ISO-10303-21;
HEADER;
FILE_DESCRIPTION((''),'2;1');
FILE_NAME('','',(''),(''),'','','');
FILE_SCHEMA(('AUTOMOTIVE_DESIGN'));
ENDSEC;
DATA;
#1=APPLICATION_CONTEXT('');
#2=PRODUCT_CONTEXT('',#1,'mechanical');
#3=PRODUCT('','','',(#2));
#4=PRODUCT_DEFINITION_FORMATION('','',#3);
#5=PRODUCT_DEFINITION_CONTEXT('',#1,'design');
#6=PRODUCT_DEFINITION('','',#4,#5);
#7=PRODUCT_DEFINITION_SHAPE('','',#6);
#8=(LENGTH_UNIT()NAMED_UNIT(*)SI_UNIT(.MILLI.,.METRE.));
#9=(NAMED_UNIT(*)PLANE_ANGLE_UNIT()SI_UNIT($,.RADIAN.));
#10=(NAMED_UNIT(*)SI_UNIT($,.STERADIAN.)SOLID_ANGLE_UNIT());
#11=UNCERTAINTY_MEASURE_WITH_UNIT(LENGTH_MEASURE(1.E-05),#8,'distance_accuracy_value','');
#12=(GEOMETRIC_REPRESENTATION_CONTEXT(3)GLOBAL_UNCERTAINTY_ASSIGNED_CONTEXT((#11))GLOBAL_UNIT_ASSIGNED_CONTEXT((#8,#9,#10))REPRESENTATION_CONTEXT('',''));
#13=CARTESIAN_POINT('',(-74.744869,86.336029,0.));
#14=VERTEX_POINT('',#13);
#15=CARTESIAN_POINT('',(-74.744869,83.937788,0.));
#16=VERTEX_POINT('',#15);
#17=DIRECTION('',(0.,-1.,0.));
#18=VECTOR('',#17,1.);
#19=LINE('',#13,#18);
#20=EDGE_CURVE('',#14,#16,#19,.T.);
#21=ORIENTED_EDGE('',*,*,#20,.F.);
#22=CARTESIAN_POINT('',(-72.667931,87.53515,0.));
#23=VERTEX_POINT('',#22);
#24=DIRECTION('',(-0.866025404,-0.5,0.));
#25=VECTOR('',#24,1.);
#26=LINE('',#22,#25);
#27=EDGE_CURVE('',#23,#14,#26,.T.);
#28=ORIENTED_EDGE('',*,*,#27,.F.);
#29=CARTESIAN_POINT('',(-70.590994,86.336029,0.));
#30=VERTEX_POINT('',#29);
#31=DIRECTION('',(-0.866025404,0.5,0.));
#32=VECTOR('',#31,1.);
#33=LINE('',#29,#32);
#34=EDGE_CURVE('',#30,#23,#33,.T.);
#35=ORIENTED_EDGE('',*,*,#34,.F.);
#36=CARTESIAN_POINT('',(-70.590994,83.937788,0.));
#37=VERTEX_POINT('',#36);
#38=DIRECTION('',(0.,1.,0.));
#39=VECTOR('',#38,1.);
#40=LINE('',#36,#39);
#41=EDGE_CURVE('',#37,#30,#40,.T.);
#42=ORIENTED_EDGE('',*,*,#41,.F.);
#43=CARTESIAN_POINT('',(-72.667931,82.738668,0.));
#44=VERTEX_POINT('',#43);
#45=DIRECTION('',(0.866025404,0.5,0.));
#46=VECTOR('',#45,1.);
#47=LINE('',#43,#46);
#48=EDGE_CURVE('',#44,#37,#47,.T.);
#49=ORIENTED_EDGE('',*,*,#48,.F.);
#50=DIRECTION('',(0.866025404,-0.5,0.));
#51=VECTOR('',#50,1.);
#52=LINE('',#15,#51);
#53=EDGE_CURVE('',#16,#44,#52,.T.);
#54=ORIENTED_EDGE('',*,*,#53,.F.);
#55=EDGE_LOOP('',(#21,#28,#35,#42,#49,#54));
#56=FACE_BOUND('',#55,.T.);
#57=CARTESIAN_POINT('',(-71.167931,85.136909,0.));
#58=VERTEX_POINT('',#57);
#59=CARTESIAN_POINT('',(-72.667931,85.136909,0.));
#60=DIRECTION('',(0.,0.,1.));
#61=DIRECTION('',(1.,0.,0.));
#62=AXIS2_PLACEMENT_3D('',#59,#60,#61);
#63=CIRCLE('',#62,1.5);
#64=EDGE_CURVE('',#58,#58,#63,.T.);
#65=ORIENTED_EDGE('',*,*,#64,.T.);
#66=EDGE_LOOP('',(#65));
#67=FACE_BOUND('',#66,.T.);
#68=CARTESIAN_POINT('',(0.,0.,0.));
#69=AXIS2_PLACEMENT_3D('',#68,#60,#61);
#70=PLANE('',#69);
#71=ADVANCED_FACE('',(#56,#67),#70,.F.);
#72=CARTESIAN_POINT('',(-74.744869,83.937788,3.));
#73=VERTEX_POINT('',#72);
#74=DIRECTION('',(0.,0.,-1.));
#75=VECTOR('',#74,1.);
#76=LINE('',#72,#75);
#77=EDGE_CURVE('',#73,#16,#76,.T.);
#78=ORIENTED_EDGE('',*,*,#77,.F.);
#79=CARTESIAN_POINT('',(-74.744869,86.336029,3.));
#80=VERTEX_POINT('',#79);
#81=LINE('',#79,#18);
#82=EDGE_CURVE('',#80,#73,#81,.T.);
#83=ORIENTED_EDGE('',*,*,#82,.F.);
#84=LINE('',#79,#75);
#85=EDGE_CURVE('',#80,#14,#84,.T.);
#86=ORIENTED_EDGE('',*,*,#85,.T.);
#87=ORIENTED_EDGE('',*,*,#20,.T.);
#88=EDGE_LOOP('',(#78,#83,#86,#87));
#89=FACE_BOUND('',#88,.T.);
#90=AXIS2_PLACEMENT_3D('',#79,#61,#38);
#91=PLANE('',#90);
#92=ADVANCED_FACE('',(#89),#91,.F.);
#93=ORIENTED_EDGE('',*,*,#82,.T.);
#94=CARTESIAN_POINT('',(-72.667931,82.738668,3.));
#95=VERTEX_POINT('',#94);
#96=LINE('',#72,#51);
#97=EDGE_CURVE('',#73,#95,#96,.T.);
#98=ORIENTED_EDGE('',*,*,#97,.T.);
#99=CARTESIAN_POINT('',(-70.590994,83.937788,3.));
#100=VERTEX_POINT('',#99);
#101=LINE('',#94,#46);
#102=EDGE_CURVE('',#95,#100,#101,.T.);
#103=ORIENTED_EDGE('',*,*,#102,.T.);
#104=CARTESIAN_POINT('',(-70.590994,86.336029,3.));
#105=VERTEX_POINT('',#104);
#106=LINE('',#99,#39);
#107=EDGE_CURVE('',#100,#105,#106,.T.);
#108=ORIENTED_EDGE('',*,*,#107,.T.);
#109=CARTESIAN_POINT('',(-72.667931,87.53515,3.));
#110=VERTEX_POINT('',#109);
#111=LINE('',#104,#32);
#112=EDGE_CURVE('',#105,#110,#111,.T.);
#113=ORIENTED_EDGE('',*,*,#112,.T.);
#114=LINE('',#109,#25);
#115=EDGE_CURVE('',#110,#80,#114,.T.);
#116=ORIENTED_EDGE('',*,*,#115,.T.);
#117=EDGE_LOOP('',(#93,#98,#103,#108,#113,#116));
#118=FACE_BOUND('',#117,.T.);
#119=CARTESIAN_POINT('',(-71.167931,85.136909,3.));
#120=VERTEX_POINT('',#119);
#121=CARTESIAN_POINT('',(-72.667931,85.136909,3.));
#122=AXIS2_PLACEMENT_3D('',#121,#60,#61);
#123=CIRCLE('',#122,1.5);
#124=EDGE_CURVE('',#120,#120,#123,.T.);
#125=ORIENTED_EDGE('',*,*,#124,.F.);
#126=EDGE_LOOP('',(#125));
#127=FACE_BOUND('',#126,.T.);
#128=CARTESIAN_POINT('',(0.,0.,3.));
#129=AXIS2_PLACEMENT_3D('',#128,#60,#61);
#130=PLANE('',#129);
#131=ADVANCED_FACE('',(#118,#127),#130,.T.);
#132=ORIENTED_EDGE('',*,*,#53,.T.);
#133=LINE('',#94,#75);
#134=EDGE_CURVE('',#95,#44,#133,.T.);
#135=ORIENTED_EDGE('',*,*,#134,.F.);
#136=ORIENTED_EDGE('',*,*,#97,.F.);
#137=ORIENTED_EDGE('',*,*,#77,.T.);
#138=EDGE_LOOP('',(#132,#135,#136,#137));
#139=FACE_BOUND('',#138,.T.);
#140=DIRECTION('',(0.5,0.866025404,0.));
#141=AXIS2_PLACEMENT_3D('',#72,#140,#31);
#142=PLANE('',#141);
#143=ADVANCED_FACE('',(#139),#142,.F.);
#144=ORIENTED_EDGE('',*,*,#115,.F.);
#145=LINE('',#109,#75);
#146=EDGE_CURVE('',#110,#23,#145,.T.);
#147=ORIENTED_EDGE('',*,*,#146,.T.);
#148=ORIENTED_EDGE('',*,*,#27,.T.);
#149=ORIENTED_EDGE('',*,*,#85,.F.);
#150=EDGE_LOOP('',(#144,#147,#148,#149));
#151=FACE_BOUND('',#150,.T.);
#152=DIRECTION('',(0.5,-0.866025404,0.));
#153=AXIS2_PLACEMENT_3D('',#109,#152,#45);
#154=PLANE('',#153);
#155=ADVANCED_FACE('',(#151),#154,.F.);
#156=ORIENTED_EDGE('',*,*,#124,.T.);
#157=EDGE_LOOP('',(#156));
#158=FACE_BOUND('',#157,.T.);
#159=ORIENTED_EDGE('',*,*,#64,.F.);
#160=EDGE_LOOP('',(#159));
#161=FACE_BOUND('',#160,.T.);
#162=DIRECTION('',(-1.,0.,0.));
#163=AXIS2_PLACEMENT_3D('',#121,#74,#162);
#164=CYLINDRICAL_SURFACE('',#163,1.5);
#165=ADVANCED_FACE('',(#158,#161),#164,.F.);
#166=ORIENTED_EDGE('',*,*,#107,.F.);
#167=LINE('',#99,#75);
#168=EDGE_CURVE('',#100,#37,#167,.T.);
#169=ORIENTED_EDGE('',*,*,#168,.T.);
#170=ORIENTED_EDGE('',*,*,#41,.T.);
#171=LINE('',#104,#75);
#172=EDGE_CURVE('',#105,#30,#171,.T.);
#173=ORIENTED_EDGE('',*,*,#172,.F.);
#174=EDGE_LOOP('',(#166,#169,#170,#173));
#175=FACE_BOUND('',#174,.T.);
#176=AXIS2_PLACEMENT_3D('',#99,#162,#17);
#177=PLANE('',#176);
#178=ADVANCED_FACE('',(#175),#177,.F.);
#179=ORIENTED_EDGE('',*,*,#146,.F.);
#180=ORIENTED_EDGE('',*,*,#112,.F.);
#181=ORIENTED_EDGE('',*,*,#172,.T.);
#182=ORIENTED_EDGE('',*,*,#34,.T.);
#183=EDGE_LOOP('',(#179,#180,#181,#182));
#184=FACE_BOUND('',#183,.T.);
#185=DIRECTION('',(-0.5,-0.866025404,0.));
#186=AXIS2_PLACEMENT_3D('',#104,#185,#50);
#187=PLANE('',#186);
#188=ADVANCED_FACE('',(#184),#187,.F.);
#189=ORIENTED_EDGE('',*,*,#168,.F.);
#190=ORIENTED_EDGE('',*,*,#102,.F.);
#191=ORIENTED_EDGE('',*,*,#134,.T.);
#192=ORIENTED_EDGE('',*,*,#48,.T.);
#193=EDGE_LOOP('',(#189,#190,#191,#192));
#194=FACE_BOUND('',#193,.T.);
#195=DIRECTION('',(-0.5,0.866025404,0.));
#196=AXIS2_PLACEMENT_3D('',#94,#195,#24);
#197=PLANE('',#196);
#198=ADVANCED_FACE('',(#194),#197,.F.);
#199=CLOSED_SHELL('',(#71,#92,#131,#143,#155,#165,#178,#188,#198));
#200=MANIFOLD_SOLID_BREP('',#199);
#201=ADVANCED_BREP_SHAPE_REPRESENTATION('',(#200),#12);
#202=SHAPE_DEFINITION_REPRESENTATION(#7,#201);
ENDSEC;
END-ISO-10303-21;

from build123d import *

# Parameters (mm, degrees)
SKETCH1_R           = 1.5
BOSS_EXTRUDE1_DEPTH = 3


with BuildPart() as part:
    # Sketch1 → Boss-Extrude1 (new body)
    with BuildSketch(Plane.XY):
        Polygon((-72.667931354, 82.738667758), (-70.59099365, 83.937788301), (-70.59099365, 86.336029387), (-72.667931354, 87.53514993), (-74.744869059, 86.336029387), (-74.744869059, 83.937788301), align=None)
        with Locations((-72.667931354, 85.136908844)):
            Circle(SKETCH1_R, mode=Mode.SUBTRACT)
    extrude(amount=BOSS_EXTRUDE1_DEPTH)


solid = part.part
